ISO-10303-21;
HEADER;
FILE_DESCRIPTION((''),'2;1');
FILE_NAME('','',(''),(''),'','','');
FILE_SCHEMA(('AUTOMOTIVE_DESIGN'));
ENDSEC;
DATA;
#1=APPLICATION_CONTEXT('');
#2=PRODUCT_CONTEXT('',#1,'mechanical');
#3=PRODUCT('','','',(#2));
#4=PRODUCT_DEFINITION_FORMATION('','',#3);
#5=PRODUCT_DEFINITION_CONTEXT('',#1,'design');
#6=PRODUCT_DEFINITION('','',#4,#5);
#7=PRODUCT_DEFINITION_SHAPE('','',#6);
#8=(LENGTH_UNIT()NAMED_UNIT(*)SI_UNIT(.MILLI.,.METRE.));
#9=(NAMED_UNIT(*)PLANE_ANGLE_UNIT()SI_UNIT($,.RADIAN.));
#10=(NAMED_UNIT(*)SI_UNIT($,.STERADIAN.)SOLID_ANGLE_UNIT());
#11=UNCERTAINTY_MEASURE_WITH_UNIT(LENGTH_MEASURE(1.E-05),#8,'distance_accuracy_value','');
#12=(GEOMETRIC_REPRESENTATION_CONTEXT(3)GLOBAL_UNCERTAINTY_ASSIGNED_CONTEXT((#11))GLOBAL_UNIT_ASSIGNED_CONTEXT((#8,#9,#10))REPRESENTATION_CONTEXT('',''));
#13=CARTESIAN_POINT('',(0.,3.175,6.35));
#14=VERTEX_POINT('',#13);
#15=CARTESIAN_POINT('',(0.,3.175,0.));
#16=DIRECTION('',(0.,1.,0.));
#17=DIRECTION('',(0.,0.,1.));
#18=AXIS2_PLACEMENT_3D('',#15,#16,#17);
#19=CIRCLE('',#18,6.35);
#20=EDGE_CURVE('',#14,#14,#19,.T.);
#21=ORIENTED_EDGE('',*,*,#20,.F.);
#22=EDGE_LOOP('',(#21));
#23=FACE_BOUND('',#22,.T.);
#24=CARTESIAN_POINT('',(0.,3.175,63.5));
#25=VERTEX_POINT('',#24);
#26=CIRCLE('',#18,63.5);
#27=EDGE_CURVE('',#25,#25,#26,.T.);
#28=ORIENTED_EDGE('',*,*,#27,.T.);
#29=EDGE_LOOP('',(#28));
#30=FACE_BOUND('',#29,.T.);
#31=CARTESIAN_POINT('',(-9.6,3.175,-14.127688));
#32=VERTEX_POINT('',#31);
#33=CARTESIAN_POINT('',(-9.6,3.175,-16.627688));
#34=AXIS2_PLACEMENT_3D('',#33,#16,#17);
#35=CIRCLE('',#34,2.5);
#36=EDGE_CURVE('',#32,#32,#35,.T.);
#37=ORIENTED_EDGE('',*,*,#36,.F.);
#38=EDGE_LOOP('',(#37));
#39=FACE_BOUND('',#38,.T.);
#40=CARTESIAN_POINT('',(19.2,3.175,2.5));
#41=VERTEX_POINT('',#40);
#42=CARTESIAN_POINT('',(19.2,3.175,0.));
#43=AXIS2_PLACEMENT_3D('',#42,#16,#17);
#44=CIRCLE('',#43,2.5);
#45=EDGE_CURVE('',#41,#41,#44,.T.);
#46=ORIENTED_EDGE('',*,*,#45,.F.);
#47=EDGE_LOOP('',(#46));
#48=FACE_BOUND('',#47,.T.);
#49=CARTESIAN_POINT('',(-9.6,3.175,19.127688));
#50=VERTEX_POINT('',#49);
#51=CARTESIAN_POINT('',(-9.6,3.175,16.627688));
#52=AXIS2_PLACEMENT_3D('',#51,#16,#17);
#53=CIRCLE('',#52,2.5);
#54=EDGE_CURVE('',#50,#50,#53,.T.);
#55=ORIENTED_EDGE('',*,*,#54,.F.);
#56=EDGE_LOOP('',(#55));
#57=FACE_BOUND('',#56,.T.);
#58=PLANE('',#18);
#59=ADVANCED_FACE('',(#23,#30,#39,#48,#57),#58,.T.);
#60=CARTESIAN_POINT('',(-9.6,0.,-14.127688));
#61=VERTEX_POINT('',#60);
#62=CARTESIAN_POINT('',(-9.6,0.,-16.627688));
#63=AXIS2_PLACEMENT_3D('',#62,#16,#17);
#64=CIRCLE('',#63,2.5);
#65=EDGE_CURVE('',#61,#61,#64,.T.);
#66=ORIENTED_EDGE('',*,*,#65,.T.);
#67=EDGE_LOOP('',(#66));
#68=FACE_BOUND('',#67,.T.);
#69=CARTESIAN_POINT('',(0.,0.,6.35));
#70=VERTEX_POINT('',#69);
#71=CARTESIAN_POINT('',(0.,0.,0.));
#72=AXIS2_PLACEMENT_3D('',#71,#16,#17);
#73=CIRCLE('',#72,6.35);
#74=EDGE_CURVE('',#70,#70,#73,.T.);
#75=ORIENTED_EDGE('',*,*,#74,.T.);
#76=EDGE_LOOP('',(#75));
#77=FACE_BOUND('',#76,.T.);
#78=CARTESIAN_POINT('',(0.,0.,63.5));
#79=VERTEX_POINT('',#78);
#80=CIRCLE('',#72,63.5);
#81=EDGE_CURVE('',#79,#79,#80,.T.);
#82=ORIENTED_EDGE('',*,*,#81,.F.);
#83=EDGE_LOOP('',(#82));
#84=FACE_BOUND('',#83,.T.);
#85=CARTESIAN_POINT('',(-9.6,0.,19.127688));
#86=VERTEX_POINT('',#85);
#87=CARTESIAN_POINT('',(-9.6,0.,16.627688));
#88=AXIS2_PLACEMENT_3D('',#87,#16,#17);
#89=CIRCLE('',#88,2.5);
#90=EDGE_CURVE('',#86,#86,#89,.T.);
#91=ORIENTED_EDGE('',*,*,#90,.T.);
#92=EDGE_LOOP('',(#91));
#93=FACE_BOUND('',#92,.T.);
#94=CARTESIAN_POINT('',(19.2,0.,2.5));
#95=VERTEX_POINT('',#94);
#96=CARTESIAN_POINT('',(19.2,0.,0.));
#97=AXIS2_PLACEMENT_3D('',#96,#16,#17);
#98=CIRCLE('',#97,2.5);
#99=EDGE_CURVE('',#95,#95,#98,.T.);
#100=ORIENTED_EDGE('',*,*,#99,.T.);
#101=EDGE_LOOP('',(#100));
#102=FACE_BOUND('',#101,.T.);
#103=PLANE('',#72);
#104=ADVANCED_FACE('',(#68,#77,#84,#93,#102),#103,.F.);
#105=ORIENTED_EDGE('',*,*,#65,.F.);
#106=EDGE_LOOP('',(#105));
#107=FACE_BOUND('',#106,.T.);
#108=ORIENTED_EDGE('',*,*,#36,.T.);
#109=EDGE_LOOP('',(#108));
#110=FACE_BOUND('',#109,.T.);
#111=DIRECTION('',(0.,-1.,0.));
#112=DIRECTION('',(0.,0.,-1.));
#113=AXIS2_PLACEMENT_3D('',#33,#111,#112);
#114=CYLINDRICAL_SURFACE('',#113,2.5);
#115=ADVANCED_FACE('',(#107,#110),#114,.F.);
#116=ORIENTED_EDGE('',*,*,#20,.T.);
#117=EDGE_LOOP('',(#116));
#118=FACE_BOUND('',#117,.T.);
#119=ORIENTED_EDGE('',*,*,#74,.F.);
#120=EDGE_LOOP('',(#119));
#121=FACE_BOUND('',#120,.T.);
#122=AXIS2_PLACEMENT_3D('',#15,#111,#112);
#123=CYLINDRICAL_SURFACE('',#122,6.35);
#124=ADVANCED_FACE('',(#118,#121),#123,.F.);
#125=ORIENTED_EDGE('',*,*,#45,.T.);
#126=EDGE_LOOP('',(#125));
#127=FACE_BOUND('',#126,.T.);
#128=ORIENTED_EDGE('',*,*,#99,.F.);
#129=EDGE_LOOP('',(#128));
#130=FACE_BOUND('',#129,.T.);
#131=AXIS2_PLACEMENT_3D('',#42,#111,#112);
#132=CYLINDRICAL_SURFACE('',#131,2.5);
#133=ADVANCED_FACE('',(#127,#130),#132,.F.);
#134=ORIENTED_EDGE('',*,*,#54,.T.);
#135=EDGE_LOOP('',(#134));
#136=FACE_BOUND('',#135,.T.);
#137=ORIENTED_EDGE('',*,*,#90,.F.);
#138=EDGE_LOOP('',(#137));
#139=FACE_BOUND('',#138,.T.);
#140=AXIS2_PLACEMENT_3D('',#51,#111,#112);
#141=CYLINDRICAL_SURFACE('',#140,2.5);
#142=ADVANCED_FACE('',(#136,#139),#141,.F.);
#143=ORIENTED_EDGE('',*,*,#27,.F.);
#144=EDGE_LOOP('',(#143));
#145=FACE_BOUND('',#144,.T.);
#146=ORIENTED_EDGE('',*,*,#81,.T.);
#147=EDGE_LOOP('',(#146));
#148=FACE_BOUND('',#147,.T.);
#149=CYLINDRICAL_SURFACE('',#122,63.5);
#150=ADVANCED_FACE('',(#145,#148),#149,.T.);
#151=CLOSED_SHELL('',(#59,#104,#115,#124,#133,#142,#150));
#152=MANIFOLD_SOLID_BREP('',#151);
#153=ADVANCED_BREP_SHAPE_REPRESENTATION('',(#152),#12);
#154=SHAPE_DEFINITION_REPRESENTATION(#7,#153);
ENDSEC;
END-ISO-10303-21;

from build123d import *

# Parameters (mm, degrees)
SKETCH1_R           = 63.5
SKETCH1_R_2         = 2.5
SKETCH1_R_3         = 6.35
BOSS_EXTRUDE1_DEPTH = 3.175


with BuildPart() as part:
    # Sketch1 → Boss-Extrude1 (new body)
    with BuildSketch(Plane(origin=(0, 0, 0), x_dir=(1, 0, 0), z_dir=(0, 1, 0))):
        Circle(SKETCH1_R)
        with Locations((19.2, 0)):
            Circle(SKETCH1_R_2, mode=Mode.SUBTRACT)
        with Locations((-9.6, 16.627687753)):
            Circle(SKETCH1_R_2, mode=Mode.SUBTRACT)
        with Locations((-9.6, -16.627687753)):
            Circle(SKETCH1_R_2, mode=Mode.SUBTRACT)
        Circle(SKETCH1_R_3, mode=Mode.SUBTRACT)
    extrude(amount=BOSS_EXTRUDE1_DEPTH)


solid = part.part
